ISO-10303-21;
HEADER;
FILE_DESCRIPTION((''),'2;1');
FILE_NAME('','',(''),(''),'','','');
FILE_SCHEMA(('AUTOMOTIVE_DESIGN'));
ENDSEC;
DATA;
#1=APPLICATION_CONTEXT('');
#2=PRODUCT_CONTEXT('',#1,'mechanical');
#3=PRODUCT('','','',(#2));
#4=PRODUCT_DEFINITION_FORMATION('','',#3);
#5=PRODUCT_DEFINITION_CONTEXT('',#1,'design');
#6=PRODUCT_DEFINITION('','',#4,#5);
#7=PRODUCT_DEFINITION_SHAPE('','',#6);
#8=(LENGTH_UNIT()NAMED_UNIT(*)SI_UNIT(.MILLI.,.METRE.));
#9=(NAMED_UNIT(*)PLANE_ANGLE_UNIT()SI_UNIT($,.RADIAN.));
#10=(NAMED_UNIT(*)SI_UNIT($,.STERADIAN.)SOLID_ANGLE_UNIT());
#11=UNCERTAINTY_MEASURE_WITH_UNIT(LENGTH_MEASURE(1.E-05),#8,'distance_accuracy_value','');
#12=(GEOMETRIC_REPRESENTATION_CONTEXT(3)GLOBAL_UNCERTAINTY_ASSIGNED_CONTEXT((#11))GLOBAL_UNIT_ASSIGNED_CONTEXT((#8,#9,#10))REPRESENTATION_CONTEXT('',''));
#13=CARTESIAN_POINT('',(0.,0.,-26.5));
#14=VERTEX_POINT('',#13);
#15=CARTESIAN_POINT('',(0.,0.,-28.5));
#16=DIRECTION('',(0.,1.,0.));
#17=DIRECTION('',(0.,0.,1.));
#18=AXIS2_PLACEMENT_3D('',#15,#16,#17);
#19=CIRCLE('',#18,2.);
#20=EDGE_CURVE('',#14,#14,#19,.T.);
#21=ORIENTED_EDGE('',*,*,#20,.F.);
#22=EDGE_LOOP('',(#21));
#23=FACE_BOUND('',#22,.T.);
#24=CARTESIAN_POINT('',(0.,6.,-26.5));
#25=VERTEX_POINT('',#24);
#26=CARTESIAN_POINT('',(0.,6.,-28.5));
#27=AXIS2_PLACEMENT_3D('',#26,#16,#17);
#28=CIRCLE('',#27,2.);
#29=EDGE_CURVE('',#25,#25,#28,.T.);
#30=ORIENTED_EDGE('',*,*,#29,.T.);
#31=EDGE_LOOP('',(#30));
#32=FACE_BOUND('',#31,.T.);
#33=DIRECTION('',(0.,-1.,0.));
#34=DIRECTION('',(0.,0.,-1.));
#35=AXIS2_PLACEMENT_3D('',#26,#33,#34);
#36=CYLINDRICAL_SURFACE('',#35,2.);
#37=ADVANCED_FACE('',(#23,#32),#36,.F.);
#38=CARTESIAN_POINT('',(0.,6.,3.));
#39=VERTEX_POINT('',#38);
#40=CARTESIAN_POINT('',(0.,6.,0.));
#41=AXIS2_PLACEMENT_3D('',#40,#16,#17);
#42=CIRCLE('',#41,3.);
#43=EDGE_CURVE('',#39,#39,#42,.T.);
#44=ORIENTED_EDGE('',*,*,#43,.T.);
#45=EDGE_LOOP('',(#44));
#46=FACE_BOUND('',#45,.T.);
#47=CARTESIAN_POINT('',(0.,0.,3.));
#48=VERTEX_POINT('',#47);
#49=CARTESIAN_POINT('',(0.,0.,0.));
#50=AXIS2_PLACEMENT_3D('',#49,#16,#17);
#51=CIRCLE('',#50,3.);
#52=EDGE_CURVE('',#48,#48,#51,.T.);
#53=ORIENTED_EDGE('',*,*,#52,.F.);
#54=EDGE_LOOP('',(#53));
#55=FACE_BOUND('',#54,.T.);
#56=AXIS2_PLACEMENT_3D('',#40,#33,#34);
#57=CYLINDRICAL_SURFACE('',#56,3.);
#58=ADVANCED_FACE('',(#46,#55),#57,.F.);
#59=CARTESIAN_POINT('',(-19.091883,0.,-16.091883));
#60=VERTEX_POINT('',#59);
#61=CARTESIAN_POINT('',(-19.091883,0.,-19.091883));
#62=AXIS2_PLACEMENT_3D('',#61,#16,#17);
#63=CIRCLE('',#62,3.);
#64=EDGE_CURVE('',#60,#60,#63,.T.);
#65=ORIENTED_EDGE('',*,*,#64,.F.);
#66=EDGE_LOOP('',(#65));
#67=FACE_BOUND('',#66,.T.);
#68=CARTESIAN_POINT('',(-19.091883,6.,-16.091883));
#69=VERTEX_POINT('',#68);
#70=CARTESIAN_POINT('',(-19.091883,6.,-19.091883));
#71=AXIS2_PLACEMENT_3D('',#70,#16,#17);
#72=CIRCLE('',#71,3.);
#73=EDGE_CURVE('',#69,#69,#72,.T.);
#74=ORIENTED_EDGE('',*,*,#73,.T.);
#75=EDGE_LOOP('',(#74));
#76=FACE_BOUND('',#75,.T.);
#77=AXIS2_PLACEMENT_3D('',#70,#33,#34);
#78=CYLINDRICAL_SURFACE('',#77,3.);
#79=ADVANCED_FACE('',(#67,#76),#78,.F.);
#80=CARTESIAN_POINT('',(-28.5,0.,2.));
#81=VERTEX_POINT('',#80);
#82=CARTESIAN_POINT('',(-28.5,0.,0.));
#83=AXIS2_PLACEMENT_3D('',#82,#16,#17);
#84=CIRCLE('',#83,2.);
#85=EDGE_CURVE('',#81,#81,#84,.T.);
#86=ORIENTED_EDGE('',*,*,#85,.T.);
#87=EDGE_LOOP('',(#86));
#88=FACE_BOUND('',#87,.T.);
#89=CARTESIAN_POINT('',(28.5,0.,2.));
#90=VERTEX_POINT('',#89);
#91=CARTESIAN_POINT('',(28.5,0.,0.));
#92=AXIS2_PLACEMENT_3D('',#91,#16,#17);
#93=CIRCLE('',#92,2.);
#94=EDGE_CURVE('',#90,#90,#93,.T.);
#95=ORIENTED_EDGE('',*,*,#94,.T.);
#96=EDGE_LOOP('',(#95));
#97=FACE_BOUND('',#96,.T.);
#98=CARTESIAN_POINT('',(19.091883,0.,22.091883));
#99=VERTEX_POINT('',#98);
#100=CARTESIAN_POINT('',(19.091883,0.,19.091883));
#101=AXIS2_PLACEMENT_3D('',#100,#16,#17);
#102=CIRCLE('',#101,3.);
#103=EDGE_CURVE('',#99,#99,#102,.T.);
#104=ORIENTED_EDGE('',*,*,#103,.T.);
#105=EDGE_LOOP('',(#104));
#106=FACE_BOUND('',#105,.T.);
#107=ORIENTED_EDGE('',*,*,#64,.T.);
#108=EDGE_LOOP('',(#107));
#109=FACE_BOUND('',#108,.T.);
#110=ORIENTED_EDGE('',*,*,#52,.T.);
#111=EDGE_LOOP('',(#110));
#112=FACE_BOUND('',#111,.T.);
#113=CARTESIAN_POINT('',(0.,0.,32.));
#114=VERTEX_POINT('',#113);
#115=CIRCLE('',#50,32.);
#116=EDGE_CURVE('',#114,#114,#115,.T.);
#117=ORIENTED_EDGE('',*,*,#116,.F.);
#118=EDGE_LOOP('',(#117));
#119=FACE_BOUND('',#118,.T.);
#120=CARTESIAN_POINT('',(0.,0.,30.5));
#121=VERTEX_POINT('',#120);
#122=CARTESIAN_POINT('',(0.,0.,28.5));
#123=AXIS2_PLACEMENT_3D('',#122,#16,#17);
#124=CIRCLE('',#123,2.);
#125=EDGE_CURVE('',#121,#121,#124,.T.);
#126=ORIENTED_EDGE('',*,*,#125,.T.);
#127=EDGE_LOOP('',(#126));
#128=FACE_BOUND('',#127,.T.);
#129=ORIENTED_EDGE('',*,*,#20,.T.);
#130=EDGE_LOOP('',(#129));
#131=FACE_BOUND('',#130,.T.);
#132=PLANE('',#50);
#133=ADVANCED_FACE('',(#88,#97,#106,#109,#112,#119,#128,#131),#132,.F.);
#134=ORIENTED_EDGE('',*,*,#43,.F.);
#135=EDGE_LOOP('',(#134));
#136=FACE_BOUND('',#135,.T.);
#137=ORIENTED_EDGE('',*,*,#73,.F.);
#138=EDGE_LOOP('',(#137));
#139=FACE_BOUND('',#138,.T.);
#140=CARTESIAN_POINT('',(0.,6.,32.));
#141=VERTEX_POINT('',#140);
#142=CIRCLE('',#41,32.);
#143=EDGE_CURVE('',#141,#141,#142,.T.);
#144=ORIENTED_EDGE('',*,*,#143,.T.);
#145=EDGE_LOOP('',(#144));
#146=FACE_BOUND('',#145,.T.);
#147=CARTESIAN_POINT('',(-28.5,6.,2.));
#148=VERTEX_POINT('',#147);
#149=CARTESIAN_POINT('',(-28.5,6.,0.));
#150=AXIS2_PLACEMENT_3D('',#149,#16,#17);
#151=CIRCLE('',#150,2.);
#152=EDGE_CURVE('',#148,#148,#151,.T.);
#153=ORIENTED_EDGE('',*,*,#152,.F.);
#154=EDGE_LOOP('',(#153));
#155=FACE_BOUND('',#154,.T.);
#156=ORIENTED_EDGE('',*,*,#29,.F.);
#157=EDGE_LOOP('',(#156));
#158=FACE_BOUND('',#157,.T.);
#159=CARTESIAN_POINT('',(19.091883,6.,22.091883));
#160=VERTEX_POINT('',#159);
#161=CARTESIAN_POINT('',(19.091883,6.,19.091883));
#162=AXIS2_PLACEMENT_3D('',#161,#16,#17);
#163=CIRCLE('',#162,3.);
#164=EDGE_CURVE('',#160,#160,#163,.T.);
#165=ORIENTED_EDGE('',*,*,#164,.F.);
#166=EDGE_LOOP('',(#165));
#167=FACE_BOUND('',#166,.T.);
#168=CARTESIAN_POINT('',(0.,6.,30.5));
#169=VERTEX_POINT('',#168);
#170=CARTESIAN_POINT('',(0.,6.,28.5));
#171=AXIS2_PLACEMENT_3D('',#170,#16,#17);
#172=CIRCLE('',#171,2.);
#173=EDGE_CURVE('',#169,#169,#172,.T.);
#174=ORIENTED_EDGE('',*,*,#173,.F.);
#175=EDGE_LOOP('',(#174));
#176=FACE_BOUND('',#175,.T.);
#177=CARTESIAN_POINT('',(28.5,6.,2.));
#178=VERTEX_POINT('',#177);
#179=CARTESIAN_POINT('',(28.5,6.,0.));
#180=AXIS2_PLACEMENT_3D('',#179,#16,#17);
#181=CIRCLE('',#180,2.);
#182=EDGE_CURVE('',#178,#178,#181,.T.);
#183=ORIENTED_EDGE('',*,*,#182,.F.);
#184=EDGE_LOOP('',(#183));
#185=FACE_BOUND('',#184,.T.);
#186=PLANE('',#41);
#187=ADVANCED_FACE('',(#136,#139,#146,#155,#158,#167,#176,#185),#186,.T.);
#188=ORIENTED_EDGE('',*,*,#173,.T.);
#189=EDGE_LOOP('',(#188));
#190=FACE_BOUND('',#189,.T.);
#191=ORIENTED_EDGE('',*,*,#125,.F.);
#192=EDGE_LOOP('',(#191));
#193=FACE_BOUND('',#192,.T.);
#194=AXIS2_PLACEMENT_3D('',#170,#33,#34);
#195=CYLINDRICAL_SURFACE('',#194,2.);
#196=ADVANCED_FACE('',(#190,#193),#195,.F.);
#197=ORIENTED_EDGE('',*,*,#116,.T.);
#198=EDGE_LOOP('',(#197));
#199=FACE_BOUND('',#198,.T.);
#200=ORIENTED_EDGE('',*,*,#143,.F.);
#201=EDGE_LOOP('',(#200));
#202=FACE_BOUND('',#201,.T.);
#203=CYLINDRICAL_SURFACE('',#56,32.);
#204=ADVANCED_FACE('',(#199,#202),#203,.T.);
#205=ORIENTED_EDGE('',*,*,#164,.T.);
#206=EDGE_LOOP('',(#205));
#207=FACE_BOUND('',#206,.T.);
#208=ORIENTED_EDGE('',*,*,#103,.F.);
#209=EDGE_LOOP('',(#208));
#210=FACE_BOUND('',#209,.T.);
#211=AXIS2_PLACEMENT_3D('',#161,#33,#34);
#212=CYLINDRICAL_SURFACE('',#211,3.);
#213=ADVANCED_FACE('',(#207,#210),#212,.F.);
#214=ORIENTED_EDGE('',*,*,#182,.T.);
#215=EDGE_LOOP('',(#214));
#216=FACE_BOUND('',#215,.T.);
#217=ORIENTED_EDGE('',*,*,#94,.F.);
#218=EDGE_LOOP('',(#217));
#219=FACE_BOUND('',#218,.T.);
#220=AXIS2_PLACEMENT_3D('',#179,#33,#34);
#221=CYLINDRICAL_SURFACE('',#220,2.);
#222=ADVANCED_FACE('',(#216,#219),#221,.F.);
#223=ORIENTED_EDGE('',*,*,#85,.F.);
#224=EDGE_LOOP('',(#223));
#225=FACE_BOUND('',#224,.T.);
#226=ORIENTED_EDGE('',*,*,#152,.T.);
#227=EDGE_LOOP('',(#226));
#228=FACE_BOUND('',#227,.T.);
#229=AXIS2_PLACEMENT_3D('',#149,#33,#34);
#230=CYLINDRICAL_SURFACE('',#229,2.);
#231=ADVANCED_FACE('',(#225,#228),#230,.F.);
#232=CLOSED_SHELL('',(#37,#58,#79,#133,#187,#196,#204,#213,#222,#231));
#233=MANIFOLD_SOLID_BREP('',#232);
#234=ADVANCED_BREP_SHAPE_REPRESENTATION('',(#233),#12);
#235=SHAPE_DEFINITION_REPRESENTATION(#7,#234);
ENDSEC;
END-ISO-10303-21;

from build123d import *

# Parameters (mm, degrees)
ESBO_O1_R                = 32
ESBO_O1_R_2              = 3
ESBO_O1_R_3              = 2
RESSALTO_EXTRUS_O3_DEPTH = 6


with BuildPart() as part:
    # Esboço1 → Ressalto-extrusão3 (new body)
    with BuildSketch(Plane(origin=(0, 0, 0), x_dir=(1, 0, 0), z_dir=(0, 1, 0))):
        with Locations(Location((0, 0, 0), (0, 0, 270))):
            Circle(ESBO_O1_R)
        with Locations(Location((0, 0, 0), (0, 0, 270))):
            Circle(ESBO_O1_R_2, mode=Mode.SUBTRACT)
        with Locations(Location((0, 28.5, 0), (0, 0, 270))):
            Circle(ESBO_O1_R_3, mode=Mode.SUBTRACT)
        with Locations(Location((28.5, 0, 0), (0, 0, 270))):
            Circle(ESBO_O1_R_3, mode=Mode.SUBTRACT)
        with Locations(Location((0, -28.5, 0), (0, 0, 270))):
            Circle(ESBO_O1_R_3, mode=Mode.SUBTRACT)
        with Locations(Location((-28.5, 0, 0), (0, 0, 270))):
            Circle(ESBO_O1_R_3, mode=Mode.SUBTRACT)
        with Locations(Location((-19.091883092, 19.091883092, 0), (0, 0, 270))):
            Circle(ESBO_O1_R_2, mode=Mode.SUBTRACT)
        with Locations(Location((19.091883092, -19.091883092, 0), (0, 0, 270))):
            Circle(ESBO_O1_R_2, mode=Mode.SUBTRACT)
    extrude(amount=RESSALTO_EXTRUS_O3_DEPTH)


solid = part.part
